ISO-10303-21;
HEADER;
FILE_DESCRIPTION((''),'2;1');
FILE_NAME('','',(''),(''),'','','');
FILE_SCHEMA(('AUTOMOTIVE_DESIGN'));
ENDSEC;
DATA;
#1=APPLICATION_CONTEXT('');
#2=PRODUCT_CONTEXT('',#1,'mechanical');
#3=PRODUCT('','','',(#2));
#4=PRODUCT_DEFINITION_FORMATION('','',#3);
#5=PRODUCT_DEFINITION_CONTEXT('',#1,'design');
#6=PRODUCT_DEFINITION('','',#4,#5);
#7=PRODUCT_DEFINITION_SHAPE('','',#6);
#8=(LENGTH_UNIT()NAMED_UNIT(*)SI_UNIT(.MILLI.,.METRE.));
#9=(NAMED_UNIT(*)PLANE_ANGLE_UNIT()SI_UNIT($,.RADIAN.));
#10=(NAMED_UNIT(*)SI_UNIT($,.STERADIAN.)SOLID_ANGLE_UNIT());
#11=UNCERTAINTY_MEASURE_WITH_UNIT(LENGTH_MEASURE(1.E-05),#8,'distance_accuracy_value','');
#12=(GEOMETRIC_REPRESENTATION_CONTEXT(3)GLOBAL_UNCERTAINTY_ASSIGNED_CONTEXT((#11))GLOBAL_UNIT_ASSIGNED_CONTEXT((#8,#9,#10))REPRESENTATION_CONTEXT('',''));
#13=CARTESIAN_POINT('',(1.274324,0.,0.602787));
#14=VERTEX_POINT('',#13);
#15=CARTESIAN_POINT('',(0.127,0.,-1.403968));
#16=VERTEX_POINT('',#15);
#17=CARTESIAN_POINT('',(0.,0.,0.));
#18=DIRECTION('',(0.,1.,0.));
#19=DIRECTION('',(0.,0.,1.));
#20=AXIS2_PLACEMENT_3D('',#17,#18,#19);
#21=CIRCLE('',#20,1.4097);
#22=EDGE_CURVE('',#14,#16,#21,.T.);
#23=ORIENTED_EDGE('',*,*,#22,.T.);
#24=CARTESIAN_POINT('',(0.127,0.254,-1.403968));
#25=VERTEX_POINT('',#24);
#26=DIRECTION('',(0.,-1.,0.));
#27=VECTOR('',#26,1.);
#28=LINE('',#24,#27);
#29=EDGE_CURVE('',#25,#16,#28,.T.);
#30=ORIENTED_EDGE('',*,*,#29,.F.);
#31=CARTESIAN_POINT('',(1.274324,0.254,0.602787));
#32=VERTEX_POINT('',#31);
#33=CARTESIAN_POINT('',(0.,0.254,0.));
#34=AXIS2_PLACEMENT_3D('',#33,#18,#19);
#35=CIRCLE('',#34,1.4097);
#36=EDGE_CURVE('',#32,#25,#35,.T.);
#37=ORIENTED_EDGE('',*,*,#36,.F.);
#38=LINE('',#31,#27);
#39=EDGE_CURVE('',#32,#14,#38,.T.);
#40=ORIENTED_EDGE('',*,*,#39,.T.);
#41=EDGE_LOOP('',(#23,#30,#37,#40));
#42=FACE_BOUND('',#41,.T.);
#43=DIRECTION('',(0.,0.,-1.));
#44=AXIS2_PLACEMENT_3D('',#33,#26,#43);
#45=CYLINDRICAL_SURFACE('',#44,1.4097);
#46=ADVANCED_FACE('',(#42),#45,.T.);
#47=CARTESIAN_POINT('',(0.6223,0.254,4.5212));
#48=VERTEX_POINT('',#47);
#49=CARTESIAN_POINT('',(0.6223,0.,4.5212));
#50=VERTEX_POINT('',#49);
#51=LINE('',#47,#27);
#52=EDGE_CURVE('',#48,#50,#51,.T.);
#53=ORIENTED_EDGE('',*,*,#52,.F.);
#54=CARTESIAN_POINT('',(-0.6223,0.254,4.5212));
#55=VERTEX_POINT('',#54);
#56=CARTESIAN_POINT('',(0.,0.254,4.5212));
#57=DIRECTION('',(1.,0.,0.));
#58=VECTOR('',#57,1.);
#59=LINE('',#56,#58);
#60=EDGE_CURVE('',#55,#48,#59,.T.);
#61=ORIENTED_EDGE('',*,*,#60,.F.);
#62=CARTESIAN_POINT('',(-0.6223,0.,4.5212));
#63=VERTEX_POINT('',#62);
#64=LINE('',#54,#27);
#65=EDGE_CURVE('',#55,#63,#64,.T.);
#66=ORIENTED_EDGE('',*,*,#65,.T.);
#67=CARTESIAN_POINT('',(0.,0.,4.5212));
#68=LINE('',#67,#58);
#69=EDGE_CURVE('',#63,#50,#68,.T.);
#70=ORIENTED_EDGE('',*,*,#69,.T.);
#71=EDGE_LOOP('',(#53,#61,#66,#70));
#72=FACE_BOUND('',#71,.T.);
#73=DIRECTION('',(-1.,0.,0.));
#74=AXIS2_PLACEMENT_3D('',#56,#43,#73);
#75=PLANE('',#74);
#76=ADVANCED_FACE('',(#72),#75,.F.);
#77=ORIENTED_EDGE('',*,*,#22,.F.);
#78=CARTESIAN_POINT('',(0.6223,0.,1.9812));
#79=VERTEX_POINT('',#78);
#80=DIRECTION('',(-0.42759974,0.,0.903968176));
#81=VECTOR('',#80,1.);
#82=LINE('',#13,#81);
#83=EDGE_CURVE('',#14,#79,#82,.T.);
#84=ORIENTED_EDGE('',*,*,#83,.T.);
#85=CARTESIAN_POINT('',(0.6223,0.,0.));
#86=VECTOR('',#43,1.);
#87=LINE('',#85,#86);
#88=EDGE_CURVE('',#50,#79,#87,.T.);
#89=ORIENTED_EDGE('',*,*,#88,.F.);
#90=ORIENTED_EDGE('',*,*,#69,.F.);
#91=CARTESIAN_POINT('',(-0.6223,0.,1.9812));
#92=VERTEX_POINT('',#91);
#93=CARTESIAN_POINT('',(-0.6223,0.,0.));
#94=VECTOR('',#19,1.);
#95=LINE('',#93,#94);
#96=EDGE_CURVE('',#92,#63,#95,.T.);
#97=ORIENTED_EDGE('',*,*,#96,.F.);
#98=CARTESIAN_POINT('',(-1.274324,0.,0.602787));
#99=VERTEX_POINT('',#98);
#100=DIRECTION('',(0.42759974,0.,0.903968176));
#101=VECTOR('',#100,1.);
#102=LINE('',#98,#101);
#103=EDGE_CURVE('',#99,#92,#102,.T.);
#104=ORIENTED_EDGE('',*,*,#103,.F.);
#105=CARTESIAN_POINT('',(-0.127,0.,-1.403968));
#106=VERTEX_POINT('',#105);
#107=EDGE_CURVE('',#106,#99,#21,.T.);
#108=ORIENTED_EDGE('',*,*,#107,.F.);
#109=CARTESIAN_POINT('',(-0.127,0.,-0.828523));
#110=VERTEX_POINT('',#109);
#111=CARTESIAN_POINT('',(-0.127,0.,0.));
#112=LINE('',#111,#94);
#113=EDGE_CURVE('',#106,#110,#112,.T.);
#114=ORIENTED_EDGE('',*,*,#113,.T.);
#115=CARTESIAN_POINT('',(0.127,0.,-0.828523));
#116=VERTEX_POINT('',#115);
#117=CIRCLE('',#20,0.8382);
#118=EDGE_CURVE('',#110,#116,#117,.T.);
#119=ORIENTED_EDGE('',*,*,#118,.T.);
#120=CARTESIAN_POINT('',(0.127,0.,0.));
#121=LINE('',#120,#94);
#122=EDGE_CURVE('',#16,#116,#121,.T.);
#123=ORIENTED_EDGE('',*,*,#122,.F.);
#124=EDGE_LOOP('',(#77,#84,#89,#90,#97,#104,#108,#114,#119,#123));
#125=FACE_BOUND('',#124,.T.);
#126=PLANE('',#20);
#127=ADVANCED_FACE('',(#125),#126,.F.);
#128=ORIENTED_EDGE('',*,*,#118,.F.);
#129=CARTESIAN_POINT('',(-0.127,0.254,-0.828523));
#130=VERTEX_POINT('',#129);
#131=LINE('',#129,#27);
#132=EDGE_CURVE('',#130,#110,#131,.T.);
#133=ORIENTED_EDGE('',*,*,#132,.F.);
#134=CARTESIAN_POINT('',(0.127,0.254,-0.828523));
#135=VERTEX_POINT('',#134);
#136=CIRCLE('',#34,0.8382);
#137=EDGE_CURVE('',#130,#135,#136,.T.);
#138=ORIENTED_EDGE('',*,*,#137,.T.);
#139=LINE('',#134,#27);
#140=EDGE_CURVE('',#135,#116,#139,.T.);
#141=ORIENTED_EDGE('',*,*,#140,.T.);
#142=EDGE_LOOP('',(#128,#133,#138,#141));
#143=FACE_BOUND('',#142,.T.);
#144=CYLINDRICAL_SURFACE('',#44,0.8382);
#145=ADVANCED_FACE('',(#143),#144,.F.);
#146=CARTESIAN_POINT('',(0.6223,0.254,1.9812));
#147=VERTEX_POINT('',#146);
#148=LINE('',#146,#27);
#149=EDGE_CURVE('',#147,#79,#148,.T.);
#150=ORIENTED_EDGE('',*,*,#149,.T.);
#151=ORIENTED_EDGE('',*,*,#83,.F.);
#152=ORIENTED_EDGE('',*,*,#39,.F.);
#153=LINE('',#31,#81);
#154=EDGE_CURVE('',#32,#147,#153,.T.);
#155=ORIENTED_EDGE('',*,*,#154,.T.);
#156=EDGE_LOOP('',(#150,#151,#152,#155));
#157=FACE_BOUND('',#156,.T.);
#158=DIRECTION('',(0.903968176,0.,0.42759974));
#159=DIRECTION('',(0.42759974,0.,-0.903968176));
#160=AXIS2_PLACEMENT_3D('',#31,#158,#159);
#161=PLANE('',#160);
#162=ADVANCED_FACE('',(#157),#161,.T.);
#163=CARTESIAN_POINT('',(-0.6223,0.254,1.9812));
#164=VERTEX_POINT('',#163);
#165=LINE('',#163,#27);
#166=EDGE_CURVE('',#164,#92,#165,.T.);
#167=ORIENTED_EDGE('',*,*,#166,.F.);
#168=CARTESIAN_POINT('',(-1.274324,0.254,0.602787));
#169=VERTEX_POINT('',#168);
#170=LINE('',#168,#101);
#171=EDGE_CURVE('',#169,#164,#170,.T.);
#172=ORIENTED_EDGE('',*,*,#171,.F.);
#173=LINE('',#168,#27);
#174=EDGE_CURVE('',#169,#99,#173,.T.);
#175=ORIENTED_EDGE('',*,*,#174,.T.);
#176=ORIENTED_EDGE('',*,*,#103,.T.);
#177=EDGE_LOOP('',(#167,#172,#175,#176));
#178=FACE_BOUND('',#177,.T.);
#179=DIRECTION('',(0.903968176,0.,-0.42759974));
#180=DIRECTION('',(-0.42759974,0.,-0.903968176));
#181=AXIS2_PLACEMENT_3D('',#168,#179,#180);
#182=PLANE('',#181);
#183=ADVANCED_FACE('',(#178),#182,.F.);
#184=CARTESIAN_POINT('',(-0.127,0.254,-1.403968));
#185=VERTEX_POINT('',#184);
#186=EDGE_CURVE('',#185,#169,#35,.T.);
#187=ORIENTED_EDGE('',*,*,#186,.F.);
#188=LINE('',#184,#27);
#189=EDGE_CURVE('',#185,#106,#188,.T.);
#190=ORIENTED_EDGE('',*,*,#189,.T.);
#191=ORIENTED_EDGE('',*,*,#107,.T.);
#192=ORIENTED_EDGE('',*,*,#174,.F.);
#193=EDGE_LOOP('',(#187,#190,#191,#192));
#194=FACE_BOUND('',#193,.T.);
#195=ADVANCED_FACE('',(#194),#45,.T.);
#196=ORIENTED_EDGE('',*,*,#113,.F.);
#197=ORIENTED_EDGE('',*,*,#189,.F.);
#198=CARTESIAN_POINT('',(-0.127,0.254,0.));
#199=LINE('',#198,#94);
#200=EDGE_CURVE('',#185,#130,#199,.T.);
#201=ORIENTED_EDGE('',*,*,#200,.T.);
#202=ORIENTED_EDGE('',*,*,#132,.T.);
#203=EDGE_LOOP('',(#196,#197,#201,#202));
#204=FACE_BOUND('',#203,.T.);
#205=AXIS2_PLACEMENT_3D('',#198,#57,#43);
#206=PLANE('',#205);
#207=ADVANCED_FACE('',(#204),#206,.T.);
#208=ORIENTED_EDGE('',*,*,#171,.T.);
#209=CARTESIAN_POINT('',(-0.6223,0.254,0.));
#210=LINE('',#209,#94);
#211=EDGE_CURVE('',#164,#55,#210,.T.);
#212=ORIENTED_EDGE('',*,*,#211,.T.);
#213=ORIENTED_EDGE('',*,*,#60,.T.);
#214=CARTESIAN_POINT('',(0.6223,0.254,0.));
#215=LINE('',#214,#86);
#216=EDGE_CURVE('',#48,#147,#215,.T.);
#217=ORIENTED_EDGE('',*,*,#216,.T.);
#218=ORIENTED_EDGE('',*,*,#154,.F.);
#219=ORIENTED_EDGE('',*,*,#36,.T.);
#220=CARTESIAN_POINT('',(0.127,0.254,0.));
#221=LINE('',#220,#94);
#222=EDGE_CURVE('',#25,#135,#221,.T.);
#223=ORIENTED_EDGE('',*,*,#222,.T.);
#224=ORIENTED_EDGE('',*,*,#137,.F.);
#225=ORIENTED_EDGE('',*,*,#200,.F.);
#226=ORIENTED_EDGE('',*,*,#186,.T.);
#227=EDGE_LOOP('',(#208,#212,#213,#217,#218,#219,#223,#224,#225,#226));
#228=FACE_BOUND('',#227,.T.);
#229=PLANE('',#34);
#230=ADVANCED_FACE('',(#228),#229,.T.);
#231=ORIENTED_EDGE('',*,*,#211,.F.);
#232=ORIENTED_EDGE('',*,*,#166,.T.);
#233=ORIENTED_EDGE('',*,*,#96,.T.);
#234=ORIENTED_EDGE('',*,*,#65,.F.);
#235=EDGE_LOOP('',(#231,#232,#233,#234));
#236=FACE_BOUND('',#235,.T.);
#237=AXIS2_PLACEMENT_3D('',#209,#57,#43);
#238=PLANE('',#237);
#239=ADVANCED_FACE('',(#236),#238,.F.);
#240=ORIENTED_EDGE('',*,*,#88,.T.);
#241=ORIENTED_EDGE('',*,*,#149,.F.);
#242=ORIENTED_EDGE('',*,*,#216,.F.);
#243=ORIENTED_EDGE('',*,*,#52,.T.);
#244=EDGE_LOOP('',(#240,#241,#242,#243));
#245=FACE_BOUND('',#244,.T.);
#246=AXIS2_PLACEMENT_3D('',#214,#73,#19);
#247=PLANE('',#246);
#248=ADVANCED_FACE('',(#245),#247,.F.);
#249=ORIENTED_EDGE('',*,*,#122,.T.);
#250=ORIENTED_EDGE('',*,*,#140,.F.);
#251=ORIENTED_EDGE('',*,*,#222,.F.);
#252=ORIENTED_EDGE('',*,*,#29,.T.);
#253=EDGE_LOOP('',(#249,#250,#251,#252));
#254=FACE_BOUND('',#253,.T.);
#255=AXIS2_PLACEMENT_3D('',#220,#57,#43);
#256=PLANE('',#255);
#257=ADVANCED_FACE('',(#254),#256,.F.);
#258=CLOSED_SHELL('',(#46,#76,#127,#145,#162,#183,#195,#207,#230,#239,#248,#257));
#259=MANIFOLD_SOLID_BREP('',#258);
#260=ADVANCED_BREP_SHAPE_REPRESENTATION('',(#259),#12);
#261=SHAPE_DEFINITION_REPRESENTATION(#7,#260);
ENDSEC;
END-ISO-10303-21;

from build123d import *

# Parameters (mm, degrees)
BOSS_EXTRUDE1_DEPTH = 0.254


with BuildPart() as part:
    # Sketch1 → Boss-Extrude1 (new body)
    with BuildSketch(Plane(origin=(0, 0, 0), x_dir=(1, 0, 0), z_dir=(0, 1, 0))):
        with BuildLine():
            Line((0.6223, -1.9812), (1.274323937, -0.602787353))
            ThreePointArc((1.274323937, -0.602787353), (1.223802917, 0.699686009), (0.127, 1.403967624))
            Line((0.127, 1.403967624), (0.127, 0.828522927))
            ThreePointArc((0.127, 0.828522927), (0, -0.8382), (-0.127, 0.828522927))
            Line((-0.127, 0.828522927), (-0.127, 1.403967624))
            ThreePointArc((-0.127, 1.403967624), (-1.223802917, 0.699686009), (-1.274323937, -0.602787353))
            Line((-1.274323937, -0.602787353), (-0.6223, -1.9812))
            Line((-0.6223, -1.9812), (-0.6223, -4.5212))
            Line((-0.6223, -4.5212), (0.6223, -4.5212))
            Line((0.6223, -4.5212), (0.6223, -1.9812))
        make_face()
    extrude(amount=BOSS_EXTRUDE1_DEPTH)


solid = part.part
